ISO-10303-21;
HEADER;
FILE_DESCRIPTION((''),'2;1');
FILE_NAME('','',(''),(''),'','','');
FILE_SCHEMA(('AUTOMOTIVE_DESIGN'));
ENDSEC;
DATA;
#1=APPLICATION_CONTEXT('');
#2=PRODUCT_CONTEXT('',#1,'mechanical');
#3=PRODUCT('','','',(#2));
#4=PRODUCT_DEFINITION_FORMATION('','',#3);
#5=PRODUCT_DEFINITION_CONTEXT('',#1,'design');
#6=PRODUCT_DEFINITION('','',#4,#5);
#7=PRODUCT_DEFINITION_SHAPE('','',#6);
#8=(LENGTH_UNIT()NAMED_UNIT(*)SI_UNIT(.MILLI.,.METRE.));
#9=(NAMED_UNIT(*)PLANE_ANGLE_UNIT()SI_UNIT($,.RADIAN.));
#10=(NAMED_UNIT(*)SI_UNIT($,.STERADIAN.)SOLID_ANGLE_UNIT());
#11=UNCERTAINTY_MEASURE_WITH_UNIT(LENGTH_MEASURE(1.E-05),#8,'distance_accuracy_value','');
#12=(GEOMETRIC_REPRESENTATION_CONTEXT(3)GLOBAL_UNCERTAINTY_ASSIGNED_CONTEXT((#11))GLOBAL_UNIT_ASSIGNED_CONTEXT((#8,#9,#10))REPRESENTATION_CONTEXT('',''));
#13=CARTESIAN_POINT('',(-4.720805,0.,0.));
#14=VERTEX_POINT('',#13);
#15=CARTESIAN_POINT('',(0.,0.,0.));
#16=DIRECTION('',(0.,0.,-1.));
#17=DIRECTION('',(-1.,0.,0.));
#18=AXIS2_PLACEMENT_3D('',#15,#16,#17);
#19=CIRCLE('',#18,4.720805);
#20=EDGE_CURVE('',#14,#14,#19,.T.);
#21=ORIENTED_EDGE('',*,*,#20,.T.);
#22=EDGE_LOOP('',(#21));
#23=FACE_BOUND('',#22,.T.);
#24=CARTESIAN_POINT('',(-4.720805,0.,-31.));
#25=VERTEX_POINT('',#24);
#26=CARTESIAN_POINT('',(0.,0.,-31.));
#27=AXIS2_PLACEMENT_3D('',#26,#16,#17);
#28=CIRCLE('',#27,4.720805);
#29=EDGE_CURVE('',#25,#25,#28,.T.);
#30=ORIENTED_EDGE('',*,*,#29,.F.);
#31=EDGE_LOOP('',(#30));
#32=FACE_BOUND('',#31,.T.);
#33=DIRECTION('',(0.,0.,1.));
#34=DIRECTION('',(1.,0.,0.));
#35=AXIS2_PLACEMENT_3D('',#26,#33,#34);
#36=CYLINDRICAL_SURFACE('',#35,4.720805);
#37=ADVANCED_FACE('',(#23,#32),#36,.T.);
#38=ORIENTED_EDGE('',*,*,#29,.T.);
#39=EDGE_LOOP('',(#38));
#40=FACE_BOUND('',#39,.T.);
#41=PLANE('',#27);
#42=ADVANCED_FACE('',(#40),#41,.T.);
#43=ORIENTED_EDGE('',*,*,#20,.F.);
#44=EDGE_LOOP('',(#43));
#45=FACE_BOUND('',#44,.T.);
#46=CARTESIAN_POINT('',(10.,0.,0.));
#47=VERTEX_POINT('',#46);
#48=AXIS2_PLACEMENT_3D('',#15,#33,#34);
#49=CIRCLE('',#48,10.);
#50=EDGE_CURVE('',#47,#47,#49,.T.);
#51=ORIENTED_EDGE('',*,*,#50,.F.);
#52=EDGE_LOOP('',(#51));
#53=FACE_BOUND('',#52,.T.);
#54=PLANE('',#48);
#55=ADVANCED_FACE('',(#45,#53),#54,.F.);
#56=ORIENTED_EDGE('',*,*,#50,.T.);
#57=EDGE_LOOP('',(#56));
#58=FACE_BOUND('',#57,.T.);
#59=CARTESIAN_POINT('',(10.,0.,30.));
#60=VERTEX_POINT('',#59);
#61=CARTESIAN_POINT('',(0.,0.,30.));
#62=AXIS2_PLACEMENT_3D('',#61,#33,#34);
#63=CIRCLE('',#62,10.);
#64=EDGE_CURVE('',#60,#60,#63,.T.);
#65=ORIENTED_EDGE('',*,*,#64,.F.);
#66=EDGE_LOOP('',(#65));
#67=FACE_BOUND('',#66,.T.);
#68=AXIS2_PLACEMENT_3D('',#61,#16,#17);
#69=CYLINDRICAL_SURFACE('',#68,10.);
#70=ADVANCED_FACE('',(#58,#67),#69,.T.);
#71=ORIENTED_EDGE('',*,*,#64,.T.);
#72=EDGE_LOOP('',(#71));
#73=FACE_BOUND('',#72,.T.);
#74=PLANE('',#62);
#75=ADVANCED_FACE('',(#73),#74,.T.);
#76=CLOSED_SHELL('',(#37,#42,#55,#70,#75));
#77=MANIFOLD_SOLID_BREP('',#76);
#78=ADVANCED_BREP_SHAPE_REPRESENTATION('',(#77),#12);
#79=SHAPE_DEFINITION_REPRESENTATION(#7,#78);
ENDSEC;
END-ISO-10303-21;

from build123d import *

# Parameters (mm, degrees)
SKETCH1_R           = 10
BOSS_EXTRUDE1_DEPTH = 30
SKETCH2_R           = 4.720805109
BOSS_EXTRUDE2_DEPTH = 31


with BuildPart() as part:
    # Sketch1 → Boss-Extrude1 (new body)
    with BuildSketch(Plane.XY):
        Circle(SKETCH1_R)
    extrude(amount=BOSS_EXTRUDE1_DEPTH)

    # Sketch2 → Boss-Extrude2 (add)
    with BuildSketch(Plane(origin=(0, 0, 0), x_dir=(-1, 0, 0), z_dir=(0, 0, -1))):
        Circle(SKETCH2_R)
    extrude(amount=BOSS_EXTRUDE2_DEPTH)


solid = part.part
